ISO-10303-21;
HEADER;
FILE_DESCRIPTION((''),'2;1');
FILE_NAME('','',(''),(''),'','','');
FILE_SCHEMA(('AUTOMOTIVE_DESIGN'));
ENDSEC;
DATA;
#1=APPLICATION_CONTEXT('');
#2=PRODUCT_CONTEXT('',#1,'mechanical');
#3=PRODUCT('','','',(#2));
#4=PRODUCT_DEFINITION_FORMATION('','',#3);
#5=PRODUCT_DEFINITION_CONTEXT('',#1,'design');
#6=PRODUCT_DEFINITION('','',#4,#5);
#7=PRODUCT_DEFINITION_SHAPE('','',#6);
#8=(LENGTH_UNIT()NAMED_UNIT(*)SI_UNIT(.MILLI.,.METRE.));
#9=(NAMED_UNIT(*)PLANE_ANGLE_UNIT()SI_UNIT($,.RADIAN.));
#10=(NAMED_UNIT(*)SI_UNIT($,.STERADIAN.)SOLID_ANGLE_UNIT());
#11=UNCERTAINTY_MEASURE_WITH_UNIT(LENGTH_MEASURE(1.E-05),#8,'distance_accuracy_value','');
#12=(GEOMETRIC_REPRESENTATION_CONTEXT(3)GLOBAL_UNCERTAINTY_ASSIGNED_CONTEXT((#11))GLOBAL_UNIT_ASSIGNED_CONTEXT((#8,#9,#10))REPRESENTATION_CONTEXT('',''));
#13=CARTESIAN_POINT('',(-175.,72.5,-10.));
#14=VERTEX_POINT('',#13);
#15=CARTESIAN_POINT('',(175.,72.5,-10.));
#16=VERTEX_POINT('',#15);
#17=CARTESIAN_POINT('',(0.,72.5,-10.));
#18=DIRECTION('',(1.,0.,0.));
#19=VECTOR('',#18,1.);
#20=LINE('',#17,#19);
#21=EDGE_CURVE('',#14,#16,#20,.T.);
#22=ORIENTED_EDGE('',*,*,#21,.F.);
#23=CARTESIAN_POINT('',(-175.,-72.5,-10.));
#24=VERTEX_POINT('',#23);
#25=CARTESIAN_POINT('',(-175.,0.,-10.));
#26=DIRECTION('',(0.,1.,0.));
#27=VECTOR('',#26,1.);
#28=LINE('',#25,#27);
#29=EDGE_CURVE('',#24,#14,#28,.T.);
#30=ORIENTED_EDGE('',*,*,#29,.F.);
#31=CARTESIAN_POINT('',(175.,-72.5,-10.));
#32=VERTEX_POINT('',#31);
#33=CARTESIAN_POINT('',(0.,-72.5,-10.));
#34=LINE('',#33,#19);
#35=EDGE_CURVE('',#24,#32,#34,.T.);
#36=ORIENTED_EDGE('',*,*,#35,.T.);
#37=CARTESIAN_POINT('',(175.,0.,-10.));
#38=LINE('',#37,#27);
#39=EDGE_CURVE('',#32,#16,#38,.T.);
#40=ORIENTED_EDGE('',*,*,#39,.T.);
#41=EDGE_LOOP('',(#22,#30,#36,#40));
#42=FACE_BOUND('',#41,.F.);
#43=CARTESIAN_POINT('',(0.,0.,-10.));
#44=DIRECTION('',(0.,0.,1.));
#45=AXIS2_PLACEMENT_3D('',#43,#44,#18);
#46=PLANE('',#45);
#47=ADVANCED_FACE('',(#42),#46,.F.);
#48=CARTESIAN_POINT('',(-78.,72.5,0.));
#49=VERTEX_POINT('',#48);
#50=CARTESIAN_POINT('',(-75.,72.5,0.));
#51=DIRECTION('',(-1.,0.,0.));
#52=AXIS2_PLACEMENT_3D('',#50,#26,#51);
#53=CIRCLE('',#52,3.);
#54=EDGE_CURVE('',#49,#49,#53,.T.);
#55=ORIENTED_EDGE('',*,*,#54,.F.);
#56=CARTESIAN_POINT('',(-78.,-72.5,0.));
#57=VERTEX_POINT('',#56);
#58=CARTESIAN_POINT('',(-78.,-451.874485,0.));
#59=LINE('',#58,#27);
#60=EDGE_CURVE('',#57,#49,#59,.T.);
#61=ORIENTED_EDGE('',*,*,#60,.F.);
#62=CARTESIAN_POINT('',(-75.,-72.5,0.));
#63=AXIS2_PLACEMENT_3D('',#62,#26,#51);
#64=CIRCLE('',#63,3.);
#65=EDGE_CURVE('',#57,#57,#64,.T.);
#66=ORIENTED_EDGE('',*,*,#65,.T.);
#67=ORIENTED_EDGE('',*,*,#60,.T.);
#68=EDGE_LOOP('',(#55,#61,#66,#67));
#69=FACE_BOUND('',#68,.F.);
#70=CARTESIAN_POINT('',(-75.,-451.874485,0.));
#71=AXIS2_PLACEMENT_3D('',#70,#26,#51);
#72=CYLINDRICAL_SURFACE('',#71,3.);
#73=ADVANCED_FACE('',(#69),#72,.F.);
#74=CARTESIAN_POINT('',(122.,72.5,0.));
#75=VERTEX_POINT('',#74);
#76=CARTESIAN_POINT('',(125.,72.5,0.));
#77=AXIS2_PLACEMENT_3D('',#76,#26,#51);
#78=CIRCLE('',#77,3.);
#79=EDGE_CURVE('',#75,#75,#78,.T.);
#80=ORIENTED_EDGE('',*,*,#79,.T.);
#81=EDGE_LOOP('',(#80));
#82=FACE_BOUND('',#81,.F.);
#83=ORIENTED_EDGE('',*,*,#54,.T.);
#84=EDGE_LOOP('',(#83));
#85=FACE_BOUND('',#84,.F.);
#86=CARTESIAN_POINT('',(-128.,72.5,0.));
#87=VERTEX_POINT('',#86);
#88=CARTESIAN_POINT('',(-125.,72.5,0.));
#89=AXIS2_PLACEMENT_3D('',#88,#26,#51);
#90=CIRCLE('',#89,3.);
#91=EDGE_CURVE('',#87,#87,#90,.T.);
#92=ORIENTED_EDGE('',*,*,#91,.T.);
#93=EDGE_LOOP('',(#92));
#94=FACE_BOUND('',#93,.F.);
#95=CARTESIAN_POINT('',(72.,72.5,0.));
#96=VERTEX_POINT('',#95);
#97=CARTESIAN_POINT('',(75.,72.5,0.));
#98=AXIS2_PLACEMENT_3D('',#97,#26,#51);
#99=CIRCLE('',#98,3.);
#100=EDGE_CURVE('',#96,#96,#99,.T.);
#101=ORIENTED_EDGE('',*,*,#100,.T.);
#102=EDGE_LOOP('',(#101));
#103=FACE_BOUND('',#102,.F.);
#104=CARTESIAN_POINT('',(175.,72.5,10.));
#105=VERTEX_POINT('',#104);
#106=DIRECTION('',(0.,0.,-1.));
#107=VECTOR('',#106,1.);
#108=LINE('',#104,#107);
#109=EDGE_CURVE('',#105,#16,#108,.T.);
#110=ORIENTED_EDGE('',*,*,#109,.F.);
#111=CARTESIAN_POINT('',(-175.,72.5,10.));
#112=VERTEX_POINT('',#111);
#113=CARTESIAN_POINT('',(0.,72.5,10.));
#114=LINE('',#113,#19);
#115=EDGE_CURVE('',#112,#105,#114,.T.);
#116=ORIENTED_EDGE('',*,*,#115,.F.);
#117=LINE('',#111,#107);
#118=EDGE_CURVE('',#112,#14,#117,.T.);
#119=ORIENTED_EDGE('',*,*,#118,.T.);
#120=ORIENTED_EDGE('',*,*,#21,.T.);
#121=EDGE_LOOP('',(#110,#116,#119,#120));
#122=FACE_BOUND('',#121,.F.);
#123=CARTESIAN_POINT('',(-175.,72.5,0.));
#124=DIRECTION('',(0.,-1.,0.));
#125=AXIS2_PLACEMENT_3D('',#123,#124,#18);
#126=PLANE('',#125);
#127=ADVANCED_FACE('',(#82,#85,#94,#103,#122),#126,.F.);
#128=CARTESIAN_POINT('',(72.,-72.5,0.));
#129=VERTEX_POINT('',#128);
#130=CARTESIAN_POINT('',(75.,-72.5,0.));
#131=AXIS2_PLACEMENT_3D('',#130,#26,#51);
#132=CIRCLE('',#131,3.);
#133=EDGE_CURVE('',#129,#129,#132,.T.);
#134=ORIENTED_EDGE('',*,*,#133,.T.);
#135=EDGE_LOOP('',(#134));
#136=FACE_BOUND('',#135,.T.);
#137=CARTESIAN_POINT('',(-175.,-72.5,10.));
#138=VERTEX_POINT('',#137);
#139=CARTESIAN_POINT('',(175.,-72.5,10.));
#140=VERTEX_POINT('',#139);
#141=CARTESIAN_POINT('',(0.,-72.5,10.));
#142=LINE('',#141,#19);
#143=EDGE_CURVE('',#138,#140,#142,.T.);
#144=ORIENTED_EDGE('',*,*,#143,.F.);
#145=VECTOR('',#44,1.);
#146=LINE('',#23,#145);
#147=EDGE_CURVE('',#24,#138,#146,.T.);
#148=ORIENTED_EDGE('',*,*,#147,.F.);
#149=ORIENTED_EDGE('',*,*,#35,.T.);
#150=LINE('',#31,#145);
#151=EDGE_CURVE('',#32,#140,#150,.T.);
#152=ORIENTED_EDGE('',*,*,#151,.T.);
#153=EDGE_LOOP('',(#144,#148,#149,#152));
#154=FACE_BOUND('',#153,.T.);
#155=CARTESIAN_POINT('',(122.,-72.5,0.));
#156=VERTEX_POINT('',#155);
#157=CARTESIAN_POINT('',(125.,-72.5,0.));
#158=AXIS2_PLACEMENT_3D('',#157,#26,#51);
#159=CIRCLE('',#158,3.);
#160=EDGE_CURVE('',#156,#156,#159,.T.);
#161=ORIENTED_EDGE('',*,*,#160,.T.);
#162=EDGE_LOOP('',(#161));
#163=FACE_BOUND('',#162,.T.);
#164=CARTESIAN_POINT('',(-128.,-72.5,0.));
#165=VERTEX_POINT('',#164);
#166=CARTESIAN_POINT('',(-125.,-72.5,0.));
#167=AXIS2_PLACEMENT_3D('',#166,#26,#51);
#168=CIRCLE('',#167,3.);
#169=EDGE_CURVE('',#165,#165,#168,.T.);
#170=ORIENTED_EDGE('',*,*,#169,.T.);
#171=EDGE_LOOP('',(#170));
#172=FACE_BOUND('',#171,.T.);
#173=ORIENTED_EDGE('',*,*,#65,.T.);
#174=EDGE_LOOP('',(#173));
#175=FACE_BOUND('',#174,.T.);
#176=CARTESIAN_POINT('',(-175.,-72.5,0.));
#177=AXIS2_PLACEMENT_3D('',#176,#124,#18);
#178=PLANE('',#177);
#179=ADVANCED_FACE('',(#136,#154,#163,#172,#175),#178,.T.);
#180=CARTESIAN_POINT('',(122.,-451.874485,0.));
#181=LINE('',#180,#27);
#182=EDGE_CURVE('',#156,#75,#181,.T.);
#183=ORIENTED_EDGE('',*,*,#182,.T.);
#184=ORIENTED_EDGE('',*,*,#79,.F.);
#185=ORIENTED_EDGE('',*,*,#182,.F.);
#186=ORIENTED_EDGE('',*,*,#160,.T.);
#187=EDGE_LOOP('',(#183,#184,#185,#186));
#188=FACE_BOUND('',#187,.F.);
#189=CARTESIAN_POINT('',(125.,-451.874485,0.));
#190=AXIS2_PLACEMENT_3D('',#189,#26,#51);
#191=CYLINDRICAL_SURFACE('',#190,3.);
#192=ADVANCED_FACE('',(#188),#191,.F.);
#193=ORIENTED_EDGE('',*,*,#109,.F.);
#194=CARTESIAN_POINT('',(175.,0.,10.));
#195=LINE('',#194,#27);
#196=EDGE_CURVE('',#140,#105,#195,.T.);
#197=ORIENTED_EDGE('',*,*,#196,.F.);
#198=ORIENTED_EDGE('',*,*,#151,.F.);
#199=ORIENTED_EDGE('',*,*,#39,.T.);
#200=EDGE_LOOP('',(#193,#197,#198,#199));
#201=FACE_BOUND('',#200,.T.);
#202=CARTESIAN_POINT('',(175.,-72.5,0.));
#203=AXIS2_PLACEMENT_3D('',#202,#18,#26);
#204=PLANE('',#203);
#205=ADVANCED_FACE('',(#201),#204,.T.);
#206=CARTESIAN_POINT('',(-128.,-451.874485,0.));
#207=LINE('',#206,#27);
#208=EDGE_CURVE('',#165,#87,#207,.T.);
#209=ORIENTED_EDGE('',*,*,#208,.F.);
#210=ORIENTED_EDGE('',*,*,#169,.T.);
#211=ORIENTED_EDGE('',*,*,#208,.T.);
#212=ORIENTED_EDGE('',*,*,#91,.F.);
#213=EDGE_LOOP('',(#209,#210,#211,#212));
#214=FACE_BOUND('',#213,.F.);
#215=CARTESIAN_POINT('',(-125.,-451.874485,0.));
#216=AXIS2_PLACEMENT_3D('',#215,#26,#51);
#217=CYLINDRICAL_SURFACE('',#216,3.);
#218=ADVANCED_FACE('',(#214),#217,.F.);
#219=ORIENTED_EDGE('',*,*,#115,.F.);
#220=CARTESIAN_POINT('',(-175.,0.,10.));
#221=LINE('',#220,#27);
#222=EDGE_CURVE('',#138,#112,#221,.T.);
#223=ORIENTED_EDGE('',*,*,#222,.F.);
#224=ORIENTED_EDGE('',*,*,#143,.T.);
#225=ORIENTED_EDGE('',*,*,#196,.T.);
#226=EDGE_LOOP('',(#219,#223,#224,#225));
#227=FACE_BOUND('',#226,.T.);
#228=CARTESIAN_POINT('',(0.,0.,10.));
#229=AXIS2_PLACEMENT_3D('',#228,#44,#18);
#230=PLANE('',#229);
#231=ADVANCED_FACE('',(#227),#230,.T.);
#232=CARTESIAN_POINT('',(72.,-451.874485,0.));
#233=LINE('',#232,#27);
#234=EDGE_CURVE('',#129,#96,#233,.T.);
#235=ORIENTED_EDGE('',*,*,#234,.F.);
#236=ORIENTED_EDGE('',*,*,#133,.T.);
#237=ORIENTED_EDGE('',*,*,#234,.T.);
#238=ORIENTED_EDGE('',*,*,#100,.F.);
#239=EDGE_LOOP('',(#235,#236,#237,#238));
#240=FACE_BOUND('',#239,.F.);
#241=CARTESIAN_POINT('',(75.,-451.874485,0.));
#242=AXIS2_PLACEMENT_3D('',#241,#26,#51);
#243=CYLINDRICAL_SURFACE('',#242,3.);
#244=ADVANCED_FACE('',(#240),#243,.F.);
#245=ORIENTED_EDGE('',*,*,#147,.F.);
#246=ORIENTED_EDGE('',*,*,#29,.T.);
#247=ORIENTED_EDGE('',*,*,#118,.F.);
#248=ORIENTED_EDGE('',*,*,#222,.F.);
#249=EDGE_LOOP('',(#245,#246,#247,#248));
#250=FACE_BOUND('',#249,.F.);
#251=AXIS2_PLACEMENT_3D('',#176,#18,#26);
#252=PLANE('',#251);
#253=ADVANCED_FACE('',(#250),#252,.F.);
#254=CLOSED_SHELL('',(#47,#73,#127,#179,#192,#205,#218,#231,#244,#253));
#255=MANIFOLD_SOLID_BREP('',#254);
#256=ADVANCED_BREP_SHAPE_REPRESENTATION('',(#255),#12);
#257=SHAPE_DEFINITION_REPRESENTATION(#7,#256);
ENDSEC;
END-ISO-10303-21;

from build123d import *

# Parameters (mm, degrees)
F0_W     = 350
F0_H     = 145
F1_DEPTH = 10
F3_D     = 6


with BuildPart() as f1:
    # F0 (on Top) → F1 (new body, symmetric)
    with BuildSketch(Plane.XY):
        Rectangle(F0_W, F0_H)
    extrude(amount=F1_DEPTH, both=True)

    # F3 (through all)
    with Locations(Plane.XZ.offset(72.5)):
        with Locations((-125, 0), (-75, 0), (75, 0), (125, 0)):
            Hole(F3_D / 2)


solid = f1.part
